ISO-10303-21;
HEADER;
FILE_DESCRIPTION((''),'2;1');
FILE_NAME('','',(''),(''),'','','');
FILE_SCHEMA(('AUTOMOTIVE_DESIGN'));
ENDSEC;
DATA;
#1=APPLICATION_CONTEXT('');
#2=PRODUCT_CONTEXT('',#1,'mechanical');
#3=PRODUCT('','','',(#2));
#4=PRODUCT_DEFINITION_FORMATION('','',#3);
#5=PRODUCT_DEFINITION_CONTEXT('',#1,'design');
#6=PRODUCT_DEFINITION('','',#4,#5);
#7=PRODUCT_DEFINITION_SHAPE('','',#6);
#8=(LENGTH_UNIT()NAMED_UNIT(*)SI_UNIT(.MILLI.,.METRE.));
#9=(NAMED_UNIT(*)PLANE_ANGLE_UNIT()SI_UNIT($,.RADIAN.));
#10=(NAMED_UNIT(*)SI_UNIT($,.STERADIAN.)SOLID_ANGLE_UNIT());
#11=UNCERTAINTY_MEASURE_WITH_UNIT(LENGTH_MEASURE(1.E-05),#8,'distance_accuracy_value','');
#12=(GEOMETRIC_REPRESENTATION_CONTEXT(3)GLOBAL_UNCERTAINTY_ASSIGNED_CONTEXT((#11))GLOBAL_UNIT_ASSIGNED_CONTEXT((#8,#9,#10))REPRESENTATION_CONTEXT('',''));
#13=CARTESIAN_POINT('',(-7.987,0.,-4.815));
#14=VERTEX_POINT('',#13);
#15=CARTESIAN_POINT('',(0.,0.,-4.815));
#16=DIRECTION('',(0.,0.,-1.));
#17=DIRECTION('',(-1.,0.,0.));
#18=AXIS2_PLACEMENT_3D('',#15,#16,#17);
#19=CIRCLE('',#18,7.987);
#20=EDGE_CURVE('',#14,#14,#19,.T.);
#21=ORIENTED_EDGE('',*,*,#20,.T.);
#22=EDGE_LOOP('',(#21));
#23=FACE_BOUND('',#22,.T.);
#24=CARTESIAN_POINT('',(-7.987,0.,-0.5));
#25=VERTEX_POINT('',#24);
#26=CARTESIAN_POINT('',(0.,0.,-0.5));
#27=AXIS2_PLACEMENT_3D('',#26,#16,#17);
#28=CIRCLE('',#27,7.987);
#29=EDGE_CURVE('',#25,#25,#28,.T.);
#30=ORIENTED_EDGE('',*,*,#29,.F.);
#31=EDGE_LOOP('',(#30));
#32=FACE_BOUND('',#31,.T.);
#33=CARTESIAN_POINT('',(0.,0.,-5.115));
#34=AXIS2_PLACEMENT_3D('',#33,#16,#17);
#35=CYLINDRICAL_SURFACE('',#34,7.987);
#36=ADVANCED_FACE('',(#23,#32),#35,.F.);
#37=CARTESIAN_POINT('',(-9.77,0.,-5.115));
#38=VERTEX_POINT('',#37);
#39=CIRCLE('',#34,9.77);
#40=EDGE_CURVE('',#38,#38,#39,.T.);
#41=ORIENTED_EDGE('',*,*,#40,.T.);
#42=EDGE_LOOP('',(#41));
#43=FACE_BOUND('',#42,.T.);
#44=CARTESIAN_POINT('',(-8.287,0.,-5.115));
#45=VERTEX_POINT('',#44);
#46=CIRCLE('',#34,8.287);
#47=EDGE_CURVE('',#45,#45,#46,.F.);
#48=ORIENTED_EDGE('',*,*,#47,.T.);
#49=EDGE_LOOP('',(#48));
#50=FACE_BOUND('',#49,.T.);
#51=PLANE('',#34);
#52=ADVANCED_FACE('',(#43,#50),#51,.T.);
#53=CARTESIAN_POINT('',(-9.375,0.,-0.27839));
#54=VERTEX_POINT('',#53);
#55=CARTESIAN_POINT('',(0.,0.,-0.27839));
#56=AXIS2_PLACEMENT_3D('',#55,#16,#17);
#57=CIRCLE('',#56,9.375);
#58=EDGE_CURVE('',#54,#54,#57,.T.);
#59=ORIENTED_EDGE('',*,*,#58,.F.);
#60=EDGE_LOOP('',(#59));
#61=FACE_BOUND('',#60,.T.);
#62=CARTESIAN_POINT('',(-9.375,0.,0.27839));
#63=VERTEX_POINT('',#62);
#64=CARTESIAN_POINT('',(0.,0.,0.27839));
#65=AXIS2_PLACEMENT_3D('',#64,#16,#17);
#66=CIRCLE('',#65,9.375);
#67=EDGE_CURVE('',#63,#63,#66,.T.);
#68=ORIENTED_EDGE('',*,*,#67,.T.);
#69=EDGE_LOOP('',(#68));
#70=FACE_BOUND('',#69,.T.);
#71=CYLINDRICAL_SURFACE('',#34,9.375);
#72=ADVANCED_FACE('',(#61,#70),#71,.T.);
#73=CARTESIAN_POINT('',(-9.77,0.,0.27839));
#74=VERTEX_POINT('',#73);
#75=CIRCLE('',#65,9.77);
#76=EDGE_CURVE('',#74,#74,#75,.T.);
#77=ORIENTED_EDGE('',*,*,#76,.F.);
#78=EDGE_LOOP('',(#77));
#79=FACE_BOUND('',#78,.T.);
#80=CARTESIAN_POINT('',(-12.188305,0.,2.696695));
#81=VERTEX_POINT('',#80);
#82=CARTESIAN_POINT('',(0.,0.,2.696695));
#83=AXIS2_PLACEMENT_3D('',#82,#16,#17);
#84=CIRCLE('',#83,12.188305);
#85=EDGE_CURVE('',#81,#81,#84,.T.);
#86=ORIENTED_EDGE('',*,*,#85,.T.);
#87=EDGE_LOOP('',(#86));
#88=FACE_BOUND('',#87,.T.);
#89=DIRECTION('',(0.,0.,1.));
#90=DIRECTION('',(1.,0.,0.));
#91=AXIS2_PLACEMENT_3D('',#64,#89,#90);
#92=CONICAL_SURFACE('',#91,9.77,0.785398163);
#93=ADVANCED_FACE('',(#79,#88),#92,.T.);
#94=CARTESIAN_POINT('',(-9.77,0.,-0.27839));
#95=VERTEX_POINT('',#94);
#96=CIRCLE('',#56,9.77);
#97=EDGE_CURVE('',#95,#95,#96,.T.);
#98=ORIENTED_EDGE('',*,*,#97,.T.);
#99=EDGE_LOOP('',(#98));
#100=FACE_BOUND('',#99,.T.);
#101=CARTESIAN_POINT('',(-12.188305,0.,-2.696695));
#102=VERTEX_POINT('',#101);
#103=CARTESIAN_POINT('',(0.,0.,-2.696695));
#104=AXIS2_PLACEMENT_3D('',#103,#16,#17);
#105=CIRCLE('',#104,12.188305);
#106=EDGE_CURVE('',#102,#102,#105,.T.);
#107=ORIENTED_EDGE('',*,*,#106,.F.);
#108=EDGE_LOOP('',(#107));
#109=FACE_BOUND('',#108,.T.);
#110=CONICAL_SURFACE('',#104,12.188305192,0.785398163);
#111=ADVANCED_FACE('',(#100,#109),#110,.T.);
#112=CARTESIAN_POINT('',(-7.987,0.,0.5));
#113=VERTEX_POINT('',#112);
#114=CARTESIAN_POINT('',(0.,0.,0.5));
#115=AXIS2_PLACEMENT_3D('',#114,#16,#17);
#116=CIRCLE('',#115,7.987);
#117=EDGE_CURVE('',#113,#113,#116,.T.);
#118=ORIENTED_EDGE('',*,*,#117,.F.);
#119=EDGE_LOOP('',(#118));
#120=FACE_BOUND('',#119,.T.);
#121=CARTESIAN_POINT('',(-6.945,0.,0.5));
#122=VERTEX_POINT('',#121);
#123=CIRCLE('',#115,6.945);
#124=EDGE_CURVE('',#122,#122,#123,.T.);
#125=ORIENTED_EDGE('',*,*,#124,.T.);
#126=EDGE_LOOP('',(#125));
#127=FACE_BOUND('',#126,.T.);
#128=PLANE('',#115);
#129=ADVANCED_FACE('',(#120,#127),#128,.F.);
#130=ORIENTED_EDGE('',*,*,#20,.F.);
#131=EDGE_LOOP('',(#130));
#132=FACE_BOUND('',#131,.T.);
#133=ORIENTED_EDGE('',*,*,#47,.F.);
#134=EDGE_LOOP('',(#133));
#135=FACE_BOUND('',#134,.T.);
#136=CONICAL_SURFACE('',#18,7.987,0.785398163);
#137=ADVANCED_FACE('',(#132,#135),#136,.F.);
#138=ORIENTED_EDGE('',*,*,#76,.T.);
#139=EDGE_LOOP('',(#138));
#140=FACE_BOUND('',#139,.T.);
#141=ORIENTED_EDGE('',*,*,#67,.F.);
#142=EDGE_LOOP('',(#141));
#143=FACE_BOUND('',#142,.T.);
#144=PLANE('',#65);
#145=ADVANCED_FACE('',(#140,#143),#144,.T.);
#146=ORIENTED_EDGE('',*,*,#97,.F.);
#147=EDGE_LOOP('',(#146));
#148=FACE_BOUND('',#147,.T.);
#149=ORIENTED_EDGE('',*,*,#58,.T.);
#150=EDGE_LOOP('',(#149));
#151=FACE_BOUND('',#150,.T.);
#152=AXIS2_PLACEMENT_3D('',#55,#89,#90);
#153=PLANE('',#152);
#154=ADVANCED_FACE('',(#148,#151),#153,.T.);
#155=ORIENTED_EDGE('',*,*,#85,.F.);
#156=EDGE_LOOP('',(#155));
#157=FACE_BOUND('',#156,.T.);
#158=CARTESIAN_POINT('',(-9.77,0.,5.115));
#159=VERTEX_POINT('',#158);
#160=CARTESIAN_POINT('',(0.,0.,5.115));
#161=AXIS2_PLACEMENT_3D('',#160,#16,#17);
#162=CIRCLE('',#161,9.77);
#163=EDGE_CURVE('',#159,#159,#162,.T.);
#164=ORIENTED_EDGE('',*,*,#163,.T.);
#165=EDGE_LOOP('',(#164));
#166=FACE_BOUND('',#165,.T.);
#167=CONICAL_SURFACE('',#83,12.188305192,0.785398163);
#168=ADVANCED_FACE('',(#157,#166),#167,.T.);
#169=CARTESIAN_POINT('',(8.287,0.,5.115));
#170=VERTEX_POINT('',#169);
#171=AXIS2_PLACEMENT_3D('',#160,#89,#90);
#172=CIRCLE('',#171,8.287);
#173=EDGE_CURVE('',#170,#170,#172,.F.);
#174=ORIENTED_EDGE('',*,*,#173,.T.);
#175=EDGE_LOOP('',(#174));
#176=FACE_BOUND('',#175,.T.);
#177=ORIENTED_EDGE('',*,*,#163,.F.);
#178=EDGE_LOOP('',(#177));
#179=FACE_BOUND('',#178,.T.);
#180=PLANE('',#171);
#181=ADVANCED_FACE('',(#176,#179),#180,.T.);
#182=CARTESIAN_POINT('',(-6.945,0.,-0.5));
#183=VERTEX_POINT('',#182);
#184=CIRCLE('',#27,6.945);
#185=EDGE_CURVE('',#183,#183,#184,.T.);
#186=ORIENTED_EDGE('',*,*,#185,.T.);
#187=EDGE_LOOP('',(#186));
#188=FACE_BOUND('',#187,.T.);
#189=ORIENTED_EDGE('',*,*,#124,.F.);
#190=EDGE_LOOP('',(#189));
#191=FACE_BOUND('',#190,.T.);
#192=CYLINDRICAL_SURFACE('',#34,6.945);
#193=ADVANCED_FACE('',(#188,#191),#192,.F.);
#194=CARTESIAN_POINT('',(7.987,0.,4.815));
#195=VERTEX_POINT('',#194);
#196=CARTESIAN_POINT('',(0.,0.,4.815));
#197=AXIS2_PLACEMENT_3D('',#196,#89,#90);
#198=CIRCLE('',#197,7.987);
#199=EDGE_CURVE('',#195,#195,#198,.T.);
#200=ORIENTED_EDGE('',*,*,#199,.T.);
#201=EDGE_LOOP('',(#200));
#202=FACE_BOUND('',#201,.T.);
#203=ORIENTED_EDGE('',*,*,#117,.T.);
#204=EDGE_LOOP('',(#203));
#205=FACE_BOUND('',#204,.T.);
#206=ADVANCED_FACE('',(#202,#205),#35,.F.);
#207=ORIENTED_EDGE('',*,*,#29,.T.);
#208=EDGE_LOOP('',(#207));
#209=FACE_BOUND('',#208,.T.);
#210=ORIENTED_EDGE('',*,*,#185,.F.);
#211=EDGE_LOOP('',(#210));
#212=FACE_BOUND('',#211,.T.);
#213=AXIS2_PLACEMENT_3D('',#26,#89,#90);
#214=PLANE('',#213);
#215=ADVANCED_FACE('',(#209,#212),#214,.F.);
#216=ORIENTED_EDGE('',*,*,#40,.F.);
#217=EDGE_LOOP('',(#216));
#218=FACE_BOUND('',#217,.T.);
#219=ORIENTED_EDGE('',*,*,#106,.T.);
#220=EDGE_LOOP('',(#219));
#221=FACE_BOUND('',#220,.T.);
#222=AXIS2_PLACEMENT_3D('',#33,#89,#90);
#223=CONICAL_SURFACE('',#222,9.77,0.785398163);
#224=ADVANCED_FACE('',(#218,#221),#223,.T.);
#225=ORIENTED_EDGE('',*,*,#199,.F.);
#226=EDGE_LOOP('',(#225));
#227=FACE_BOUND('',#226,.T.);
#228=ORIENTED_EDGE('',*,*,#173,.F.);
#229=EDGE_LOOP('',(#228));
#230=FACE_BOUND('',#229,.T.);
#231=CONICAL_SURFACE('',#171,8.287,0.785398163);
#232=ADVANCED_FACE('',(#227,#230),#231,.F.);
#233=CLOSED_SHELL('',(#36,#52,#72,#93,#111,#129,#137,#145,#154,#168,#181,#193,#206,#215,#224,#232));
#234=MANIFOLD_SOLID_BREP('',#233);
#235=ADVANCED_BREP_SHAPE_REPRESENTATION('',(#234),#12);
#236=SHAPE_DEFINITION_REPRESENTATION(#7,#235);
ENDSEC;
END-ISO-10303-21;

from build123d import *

# Parameters (mm, degrees)
CHAMFER1_SIZE = 0.3


with BuildPart() as part:
    # Sketch1 → Revolve1 (revolve)
    with BuildSketch(Plane(origin=(0, 0, 0), x_dir=(1, 0, 0), z_dir=(0, 1, 0))):
        Polygon((-7.987, 0.5), (-7.987, 5.115), (-9.77, 5.115), (-12.188305192, 2.696694808), (-9.77, 0.278389617), (-9.375, 0.278389617), (-9.375, -0.278389617), (-9.77, -0.278389617), (-12.188305192, -2.696694808), (-9.77, -5.115), (-7.987, -5.115), (-7.987, -0.5), (-6.945, -0.5), (-6.945, 0.5), align=None)
    revolve(axis=Axis((0, 0, -5.115), (0, 0, 1)))

    # Chamfer1
    chamfer1_edges = [part.edges().sort_by_distance(p)[0] for p in [
        (7.987, 0, 5.115),
        (7.987, 0, -5.115),
    ]]
    chamfer(chamfer1_edges, length=CHAMFER1_SIZE)


solid = part.part
